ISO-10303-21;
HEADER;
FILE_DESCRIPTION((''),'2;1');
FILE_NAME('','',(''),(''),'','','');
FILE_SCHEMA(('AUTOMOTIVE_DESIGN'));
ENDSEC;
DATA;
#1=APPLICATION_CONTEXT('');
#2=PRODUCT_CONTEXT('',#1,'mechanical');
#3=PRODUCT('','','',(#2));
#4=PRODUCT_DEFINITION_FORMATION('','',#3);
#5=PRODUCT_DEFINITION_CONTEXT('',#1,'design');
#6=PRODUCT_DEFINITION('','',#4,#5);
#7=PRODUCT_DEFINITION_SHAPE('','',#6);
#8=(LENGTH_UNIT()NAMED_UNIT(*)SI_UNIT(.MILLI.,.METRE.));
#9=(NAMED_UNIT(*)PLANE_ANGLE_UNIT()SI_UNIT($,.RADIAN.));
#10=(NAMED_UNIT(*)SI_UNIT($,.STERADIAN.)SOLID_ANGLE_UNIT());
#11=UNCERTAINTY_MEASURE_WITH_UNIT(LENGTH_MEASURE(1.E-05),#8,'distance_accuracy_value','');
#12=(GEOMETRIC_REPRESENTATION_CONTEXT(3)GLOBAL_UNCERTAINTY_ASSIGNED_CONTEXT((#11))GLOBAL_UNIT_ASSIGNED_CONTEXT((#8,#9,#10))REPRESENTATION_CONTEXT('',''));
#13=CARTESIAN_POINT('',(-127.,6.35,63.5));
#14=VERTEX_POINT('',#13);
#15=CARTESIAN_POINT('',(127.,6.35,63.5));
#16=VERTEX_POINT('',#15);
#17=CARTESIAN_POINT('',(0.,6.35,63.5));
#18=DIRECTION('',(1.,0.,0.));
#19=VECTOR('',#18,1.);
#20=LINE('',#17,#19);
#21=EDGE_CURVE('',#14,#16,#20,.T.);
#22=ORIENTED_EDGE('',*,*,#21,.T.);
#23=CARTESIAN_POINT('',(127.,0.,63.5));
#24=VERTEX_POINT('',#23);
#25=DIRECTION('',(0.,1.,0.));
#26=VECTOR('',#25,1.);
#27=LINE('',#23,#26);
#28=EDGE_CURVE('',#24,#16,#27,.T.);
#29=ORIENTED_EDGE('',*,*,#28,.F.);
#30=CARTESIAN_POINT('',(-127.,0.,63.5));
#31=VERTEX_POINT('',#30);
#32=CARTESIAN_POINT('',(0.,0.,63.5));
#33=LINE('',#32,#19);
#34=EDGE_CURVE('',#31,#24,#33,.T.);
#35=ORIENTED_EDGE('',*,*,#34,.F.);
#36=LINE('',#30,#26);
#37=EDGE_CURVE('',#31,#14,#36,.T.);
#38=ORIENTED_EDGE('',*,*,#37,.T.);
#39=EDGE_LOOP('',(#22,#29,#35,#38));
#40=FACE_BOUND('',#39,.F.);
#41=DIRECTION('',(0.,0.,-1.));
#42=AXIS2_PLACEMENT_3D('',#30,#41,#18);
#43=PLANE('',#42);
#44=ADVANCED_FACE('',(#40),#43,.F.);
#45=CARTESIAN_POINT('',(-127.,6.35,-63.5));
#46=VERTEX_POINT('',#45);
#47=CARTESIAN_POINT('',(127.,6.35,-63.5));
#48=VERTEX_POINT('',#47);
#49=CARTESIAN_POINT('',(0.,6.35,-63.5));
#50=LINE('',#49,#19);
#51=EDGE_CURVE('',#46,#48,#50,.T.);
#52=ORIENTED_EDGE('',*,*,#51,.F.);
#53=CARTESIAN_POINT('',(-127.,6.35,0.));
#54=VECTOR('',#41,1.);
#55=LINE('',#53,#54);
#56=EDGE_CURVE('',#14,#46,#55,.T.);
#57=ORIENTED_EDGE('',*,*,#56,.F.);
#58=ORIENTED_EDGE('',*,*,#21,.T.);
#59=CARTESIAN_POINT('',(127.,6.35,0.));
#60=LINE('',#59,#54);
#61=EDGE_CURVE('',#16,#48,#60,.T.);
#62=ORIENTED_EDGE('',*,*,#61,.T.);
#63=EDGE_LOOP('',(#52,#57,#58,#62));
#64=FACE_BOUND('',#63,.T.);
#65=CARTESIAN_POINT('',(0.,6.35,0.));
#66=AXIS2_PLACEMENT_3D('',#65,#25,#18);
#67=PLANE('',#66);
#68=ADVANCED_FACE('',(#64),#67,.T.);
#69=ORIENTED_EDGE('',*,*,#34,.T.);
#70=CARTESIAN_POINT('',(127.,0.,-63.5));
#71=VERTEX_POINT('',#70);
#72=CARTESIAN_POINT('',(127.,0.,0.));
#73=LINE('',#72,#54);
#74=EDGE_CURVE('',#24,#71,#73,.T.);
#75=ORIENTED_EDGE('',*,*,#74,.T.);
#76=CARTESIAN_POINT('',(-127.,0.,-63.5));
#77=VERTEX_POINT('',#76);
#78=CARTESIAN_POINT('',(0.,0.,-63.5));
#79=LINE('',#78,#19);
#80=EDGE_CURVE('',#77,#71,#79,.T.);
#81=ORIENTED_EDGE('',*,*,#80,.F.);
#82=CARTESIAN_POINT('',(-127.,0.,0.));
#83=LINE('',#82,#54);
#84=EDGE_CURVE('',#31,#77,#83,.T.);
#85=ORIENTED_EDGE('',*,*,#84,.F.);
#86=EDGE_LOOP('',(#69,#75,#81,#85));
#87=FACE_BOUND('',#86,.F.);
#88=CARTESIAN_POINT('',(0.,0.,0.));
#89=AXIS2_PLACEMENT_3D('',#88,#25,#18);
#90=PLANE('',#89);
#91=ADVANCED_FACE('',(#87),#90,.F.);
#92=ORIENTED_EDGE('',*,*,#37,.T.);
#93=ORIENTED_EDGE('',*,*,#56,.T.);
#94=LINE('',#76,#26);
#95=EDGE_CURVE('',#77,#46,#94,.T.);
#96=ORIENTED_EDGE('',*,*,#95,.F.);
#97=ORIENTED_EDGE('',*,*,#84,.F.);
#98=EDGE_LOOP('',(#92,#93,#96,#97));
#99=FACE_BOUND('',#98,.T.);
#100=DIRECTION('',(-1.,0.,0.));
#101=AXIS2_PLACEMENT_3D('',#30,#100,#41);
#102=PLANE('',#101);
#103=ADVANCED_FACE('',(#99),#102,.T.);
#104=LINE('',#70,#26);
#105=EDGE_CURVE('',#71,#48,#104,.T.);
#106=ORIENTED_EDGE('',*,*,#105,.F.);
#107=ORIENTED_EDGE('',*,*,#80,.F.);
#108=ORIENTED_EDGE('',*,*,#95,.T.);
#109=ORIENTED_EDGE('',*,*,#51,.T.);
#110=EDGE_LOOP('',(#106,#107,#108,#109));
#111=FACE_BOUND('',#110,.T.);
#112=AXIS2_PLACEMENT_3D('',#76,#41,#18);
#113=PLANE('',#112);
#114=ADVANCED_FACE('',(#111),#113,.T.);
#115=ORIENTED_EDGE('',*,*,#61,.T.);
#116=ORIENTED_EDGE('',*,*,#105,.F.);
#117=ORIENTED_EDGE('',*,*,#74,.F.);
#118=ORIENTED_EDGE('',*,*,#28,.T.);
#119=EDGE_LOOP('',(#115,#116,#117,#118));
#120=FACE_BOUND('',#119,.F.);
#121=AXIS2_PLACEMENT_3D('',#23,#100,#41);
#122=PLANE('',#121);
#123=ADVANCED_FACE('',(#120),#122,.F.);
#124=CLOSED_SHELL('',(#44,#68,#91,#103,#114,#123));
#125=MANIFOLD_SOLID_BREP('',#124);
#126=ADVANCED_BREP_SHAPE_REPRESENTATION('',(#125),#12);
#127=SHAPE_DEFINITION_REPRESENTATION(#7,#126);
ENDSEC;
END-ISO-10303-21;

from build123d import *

# Parameters (mm, degrees)
SKETCH1_W           = 254
SKETCH1_H           = 127
BOSS_EXTRUDE1_DEPTH = 6.35


with BuildPart() as part:
    # Sketch1 → Boss-Extrude1 (new body)
    with BuildSketch(Plane(origin=(0, 0, 0), x_dir=(1, 0, 0), z_dir=(0, 1, 0))):
        Rectangle(SKETCH1_W, SKETCH1_H)
    extrude(amount=BOSS_EXTRUDE1_DEPTH)


solid = part.part
